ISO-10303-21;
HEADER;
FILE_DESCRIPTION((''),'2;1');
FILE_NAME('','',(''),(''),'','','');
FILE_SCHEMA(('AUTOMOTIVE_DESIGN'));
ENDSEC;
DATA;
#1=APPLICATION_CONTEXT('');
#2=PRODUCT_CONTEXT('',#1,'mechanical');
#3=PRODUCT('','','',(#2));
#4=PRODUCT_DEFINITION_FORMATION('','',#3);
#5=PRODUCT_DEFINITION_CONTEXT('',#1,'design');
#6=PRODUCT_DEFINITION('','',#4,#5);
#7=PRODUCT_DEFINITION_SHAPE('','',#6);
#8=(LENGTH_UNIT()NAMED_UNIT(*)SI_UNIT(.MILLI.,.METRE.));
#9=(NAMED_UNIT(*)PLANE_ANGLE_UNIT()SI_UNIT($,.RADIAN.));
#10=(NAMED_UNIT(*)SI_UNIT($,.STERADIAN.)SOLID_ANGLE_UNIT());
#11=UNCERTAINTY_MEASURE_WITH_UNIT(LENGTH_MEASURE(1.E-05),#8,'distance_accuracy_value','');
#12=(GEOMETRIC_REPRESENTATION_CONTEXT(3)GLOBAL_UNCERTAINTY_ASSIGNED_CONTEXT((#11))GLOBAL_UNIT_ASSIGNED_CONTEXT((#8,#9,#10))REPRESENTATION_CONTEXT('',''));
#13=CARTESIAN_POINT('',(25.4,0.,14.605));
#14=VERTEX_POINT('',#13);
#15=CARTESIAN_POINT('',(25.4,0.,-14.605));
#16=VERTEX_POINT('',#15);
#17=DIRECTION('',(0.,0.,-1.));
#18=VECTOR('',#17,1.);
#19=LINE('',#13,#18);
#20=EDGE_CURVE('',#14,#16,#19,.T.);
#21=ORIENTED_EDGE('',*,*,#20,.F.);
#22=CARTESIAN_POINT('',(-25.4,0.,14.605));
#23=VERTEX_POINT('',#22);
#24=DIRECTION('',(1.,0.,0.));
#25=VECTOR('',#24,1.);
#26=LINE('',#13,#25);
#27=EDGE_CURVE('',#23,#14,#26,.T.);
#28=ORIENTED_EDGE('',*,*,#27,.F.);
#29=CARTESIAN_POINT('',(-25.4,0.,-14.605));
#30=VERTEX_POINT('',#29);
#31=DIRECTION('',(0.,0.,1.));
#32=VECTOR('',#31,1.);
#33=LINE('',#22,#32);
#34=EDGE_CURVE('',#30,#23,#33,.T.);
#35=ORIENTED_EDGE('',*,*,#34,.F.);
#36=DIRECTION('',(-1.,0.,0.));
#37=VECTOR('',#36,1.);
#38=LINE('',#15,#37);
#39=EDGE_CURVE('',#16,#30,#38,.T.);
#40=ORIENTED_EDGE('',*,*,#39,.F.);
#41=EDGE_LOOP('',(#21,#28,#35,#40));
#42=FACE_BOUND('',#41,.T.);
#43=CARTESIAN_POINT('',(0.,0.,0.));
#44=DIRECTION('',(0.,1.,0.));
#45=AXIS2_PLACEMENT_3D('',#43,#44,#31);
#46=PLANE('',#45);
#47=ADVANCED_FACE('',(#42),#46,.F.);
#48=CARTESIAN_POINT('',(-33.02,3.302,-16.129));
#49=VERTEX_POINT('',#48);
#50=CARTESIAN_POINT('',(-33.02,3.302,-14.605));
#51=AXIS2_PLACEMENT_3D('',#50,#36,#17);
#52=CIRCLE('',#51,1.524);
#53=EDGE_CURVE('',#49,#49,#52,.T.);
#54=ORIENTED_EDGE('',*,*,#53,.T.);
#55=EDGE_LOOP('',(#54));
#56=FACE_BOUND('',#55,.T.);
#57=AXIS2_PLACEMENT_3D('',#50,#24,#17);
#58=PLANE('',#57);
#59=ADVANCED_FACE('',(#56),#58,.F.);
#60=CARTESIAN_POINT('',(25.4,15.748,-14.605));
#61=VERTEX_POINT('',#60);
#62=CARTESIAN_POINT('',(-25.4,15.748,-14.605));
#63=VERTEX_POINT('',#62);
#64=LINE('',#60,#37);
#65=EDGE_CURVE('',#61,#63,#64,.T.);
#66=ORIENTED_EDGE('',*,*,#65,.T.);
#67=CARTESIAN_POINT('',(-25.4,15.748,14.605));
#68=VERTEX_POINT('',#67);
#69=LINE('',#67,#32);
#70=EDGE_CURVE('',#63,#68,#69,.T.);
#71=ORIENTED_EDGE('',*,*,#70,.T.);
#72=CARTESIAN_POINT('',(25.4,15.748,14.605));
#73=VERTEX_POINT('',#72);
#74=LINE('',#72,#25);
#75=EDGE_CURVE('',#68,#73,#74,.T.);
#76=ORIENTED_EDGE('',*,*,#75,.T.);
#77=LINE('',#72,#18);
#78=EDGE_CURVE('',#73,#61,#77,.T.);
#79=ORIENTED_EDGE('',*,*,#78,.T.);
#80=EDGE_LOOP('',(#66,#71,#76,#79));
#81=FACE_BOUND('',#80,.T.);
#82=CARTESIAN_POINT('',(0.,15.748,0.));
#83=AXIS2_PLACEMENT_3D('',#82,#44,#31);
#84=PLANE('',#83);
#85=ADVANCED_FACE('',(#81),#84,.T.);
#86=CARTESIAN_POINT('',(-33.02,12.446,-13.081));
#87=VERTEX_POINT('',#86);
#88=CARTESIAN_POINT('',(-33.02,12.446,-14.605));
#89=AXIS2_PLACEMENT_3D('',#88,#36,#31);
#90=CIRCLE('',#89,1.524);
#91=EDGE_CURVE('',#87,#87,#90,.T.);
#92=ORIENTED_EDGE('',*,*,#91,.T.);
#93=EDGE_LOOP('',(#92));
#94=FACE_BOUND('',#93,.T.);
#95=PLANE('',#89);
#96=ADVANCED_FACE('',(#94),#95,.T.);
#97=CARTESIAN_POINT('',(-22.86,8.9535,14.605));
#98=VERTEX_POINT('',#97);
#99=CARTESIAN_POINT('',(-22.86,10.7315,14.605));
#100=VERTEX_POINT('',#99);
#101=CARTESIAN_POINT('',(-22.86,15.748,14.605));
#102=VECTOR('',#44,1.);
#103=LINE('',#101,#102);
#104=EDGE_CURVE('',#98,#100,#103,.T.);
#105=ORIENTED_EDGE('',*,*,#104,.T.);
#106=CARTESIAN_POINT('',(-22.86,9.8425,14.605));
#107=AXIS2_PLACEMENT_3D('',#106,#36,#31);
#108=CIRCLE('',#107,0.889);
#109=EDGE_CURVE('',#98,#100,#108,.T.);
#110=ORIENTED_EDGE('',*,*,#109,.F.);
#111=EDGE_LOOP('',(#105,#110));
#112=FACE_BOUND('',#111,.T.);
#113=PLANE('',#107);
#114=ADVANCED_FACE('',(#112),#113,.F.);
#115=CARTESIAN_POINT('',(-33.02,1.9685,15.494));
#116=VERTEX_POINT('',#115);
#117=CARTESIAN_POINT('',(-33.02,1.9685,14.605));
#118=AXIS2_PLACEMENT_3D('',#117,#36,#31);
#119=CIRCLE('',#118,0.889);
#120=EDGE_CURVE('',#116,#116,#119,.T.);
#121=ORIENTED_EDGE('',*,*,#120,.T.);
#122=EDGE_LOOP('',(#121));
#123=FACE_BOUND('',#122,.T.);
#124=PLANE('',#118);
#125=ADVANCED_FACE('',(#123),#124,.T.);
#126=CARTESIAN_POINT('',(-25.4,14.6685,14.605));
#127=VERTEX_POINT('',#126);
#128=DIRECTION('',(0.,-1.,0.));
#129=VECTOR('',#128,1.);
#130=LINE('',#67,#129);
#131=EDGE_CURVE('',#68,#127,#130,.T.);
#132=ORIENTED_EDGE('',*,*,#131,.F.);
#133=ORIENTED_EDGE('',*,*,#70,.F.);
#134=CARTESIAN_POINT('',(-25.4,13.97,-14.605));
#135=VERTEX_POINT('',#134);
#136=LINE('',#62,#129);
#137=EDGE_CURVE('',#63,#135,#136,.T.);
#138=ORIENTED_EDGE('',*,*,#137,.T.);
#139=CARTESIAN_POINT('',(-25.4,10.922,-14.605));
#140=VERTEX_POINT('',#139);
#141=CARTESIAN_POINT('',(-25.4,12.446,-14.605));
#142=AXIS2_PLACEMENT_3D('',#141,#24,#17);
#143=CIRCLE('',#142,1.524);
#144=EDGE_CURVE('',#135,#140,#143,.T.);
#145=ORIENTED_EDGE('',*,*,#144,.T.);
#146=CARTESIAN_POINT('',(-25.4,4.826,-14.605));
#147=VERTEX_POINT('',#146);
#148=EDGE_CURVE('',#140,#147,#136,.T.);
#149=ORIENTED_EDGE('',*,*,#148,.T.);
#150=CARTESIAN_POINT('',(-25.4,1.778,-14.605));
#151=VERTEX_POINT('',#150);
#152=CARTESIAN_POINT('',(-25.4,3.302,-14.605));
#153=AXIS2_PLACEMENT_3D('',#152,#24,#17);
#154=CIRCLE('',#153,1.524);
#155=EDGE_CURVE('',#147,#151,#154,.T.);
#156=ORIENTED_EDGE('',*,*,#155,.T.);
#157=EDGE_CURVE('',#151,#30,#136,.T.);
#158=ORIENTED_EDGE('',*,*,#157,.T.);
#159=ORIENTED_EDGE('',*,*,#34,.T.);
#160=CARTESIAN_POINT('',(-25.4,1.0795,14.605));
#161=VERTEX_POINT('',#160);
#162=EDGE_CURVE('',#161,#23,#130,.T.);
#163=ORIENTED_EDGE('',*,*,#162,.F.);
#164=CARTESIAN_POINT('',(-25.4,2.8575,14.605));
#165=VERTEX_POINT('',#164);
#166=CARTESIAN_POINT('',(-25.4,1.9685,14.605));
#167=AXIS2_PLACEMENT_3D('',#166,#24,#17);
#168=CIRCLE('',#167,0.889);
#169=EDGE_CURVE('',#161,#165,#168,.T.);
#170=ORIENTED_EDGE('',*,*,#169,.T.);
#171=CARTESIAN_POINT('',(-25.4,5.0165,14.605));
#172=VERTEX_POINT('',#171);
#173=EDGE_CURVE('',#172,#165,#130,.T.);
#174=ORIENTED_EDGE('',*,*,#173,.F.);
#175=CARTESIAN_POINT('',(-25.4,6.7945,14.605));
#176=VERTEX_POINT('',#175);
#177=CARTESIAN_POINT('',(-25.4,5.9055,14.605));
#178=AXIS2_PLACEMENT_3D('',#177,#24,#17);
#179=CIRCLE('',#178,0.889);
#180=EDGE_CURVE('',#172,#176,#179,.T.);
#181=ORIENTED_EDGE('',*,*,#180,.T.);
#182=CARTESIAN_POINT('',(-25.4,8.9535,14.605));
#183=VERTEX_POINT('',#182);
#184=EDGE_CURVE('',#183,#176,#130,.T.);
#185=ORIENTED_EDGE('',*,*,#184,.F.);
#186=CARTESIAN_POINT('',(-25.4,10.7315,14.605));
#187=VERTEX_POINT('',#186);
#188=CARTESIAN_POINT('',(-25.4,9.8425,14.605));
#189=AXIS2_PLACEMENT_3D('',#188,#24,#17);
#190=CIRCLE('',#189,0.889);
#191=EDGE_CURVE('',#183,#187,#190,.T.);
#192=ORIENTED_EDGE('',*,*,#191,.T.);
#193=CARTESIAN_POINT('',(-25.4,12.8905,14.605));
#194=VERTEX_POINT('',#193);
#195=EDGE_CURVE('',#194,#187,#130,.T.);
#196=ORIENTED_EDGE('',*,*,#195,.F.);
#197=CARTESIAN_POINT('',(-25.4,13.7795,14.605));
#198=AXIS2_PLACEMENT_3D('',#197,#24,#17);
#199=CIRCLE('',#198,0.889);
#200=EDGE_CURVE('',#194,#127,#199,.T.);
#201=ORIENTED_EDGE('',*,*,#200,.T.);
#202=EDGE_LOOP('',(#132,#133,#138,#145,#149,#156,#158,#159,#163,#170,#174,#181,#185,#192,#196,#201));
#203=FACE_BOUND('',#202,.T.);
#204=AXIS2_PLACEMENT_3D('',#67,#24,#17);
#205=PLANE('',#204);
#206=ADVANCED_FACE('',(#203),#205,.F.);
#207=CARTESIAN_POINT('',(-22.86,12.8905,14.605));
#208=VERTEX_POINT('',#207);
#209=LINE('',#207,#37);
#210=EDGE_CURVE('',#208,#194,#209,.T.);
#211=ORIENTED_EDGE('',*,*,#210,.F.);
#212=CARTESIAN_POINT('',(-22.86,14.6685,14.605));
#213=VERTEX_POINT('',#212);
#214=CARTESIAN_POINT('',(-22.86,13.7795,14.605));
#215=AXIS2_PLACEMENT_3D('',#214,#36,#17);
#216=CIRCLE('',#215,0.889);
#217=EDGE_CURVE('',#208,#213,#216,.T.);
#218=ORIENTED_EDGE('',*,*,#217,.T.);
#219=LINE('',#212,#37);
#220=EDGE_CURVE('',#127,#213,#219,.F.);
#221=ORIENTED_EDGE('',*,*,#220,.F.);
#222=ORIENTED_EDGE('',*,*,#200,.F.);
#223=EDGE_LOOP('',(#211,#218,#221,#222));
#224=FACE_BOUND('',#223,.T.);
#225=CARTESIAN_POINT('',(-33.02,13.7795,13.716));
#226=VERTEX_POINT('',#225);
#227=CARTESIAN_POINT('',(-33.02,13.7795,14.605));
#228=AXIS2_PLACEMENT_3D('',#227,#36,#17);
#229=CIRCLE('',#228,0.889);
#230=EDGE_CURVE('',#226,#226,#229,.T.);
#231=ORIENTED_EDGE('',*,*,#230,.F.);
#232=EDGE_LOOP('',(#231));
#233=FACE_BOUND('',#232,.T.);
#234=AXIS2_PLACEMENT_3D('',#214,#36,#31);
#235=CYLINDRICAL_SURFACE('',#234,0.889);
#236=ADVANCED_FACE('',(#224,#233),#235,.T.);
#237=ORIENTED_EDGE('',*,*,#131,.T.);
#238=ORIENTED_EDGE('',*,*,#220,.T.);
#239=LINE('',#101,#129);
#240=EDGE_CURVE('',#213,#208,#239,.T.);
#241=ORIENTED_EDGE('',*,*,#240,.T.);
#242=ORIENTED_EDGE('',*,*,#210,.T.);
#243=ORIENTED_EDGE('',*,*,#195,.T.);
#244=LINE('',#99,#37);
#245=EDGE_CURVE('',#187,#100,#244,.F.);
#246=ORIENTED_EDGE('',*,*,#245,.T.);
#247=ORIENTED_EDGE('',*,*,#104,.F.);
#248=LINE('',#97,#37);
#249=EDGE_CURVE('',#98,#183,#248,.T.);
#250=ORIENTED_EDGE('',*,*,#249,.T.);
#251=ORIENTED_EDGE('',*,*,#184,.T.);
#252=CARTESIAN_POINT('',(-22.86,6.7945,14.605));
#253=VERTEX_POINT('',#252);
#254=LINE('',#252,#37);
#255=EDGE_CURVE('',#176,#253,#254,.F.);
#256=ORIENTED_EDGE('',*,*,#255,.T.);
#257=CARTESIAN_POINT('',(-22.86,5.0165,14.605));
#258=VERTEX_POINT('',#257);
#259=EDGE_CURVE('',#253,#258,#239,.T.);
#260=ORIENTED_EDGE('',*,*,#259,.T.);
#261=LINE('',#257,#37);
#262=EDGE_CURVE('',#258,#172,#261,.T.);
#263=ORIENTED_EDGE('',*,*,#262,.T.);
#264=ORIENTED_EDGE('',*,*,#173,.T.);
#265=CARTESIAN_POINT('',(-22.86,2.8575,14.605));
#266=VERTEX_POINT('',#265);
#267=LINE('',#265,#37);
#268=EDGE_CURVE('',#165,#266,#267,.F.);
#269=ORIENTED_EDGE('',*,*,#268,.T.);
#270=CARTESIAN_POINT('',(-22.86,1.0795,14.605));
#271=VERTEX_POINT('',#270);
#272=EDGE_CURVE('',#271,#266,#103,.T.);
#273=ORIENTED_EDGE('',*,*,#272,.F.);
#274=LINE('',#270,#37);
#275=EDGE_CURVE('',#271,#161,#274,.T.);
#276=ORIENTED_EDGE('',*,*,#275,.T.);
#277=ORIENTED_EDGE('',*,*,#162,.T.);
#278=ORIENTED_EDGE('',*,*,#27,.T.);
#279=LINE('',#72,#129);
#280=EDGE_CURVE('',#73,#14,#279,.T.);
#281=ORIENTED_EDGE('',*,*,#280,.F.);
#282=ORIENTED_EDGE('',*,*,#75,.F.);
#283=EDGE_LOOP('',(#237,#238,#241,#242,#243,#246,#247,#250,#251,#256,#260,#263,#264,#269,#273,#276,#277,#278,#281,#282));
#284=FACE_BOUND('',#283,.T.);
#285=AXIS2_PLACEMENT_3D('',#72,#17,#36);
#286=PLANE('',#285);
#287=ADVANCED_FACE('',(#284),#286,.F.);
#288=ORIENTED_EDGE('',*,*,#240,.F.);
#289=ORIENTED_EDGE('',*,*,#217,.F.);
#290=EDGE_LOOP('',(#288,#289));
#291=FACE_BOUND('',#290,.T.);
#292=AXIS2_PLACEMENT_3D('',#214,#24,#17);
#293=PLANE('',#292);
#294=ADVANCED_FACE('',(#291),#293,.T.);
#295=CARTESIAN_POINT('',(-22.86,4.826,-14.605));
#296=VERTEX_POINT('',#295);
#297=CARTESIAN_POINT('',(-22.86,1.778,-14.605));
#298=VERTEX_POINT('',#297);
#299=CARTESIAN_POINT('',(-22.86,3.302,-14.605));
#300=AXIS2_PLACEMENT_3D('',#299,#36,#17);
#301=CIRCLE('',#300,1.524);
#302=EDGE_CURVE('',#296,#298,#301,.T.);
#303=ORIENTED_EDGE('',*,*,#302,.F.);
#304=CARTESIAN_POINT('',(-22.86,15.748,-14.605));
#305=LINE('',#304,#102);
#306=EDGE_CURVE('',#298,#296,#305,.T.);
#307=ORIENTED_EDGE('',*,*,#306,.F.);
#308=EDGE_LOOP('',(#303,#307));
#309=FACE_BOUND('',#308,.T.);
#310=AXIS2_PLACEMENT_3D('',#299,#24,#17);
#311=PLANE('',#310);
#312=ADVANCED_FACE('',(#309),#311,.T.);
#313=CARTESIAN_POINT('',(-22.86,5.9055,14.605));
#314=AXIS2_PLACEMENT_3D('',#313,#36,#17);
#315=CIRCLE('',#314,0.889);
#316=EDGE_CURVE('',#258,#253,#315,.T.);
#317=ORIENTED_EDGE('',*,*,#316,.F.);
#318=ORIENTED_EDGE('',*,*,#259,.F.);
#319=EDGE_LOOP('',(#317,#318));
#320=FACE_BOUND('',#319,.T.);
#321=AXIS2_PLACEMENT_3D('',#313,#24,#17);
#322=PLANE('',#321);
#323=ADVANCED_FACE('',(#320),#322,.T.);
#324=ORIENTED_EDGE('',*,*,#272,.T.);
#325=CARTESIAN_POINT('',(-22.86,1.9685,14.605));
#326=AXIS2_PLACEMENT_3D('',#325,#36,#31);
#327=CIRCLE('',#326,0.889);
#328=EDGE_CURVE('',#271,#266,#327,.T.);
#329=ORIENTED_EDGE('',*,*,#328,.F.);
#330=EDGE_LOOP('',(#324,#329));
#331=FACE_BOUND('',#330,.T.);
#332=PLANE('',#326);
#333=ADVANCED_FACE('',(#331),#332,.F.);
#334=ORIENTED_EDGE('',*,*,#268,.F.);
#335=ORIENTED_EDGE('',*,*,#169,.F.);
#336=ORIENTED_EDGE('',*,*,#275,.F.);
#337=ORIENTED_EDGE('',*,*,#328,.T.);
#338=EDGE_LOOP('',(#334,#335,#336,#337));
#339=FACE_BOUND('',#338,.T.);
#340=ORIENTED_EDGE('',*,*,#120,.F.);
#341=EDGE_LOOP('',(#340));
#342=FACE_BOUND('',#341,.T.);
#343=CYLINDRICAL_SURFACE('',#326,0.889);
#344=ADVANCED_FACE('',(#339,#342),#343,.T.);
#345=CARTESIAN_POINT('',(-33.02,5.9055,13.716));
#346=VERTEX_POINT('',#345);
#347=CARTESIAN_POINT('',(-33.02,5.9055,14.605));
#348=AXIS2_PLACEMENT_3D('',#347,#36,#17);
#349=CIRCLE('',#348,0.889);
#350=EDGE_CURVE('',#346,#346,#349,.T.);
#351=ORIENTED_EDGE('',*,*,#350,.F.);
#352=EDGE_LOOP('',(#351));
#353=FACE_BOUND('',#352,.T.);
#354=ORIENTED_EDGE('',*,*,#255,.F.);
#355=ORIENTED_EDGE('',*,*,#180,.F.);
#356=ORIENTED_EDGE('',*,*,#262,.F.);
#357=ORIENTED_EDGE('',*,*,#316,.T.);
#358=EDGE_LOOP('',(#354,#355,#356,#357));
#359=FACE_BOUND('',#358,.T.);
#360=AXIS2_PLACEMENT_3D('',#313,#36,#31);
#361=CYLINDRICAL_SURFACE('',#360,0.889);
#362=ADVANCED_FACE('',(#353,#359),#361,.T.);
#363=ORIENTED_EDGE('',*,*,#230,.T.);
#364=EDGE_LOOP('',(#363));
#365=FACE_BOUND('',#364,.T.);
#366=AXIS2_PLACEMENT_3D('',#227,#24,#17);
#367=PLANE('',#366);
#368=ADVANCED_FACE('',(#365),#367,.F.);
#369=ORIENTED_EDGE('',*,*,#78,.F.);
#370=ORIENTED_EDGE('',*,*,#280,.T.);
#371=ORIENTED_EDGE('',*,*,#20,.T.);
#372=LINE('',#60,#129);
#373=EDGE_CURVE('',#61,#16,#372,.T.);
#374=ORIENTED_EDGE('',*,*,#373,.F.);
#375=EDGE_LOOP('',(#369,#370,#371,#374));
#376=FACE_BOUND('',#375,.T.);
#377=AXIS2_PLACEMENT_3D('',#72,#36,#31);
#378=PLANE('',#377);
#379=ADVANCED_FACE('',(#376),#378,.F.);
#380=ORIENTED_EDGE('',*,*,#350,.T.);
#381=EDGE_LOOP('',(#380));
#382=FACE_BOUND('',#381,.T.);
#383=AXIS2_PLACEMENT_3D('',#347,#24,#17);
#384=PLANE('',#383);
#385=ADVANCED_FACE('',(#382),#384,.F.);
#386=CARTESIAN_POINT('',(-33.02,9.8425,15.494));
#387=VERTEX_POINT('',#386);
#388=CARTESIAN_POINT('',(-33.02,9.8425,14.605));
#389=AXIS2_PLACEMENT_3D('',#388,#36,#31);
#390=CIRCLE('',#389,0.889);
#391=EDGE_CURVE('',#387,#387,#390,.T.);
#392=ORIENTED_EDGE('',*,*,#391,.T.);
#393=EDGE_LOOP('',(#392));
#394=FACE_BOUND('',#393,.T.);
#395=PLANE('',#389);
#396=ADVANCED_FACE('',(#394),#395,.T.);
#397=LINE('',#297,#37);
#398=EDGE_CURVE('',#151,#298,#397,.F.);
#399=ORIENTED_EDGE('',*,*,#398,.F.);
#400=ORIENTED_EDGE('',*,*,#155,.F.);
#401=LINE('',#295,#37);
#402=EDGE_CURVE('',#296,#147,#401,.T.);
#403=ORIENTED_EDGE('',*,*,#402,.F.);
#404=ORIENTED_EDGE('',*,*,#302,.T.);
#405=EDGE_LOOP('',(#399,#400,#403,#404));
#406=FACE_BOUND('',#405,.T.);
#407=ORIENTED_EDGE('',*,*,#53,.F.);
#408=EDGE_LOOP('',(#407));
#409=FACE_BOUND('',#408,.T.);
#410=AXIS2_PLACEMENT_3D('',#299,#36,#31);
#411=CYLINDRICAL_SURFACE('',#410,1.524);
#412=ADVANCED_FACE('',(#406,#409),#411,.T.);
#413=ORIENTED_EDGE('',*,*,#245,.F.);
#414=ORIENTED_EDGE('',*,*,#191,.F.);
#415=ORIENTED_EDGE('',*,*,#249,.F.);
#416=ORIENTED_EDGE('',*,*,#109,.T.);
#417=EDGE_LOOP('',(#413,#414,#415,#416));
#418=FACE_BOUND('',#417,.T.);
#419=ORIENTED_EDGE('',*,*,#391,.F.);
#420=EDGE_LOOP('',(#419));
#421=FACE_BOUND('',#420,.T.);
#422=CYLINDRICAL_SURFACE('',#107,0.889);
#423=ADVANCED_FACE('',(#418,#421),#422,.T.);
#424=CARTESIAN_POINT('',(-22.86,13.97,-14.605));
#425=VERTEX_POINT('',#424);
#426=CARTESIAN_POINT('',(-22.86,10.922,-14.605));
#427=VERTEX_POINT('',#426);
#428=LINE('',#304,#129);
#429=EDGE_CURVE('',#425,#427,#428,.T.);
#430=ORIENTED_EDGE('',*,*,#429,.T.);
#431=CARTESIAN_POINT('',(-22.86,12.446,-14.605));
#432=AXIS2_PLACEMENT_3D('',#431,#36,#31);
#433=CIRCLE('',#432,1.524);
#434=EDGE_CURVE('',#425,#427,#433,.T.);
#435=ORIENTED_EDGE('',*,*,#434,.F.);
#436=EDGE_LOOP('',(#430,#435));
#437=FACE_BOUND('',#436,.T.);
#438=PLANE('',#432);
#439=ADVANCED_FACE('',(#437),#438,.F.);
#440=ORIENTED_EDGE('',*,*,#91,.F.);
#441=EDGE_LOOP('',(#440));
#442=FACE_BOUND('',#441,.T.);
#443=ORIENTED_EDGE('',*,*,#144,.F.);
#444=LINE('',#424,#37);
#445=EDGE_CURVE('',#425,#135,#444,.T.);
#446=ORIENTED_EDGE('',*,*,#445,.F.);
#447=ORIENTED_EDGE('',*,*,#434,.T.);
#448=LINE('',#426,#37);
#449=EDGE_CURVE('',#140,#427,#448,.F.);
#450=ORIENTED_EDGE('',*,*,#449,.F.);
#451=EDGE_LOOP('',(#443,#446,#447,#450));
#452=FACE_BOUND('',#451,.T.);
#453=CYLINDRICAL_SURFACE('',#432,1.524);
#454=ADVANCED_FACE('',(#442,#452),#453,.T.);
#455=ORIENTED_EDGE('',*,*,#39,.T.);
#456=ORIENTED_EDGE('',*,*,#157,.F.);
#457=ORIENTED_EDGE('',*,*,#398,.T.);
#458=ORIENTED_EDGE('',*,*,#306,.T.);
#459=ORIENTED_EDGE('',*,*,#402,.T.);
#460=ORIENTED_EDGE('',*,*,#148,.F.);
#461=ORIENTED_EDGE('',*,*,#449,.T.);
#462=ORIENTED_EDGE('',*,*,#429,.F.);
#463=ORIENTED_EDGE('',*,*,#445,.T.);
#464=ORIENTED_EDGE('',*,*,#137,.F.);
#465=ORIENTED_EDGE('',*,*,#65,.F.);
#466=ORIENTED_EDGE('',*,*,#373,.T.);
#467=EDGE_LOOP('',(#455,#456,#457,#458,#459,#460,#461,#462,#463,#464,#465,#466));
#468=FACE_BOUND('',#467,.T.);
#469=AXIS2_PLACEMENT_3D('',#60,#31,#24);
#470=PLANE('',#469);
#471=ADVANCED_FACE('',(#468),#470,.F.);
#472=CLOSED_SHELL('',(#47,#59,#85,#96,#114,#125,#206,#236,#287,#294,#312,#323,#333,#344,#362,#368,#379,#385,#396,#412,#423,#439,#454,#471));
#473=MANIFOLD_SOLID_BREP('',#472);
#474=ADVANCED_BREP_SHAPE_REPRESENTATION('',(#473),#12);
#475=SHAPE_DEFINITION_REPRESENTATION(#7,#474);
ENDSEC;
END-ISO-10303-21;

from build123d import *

# Parameters (mm, degrees)
SKETCH1_W                = 50.8
SKETCH1_H                = 29.21
BOSS_EXTRUDE1_DEPTH      = 15.748
SKETCH2_R                = 1.524
SKETCH2_R_2              = 0.889
BOSS_EXTRUDE2_DEPTH      = 7.62
BOSS_EXTRUDE2_DEPTH_BACK = 2.54


with BuildPart() as part:
    # Sketch1 → Boss-Extrude1 (new body)
    with BuildSketch(Plane(origin=(0, 0, 0), x_dir=(1, 0, 0), z_dir=(0, 1, 0))):
        Rectangle(SKETCH1_W, SKETCH1_H)
    extrude(amount=BOSS_EXTRUDE1_DEPTH)

    # Sketch2 → Boss-Extrude2 (add, two sides)
    with BuildSketch(Plane.ZY.offset(25.4)) as boss_extrude2_sk:
        with Locations((-14.605, 12.446)):
            Circle(SKETCH2_R)
        with Locations((14.605, 9.8425)):
            Circle(SKETCH2_R_2)
        with Locations((14.605, 13.7795)):
            Circle(SKETCH2_R_2)
        with Locations((14.605, 5.9055)):
            Circle(SKETCH2_R_2)
        with Locations((14.605, 1.9685)):
            Circle(SKETCH2_R_2)
        with Locations((-14.605, 3.302)):
            Circle(SKETCH2_R)
    extrude(amount=BOSS_EXTRUDE2_DEPTH)
    extrude(boss_extrude2_sk.sketch, amount=-BOSS_EXTRUDE2_DEPTH_BACK)


solid = part.part
